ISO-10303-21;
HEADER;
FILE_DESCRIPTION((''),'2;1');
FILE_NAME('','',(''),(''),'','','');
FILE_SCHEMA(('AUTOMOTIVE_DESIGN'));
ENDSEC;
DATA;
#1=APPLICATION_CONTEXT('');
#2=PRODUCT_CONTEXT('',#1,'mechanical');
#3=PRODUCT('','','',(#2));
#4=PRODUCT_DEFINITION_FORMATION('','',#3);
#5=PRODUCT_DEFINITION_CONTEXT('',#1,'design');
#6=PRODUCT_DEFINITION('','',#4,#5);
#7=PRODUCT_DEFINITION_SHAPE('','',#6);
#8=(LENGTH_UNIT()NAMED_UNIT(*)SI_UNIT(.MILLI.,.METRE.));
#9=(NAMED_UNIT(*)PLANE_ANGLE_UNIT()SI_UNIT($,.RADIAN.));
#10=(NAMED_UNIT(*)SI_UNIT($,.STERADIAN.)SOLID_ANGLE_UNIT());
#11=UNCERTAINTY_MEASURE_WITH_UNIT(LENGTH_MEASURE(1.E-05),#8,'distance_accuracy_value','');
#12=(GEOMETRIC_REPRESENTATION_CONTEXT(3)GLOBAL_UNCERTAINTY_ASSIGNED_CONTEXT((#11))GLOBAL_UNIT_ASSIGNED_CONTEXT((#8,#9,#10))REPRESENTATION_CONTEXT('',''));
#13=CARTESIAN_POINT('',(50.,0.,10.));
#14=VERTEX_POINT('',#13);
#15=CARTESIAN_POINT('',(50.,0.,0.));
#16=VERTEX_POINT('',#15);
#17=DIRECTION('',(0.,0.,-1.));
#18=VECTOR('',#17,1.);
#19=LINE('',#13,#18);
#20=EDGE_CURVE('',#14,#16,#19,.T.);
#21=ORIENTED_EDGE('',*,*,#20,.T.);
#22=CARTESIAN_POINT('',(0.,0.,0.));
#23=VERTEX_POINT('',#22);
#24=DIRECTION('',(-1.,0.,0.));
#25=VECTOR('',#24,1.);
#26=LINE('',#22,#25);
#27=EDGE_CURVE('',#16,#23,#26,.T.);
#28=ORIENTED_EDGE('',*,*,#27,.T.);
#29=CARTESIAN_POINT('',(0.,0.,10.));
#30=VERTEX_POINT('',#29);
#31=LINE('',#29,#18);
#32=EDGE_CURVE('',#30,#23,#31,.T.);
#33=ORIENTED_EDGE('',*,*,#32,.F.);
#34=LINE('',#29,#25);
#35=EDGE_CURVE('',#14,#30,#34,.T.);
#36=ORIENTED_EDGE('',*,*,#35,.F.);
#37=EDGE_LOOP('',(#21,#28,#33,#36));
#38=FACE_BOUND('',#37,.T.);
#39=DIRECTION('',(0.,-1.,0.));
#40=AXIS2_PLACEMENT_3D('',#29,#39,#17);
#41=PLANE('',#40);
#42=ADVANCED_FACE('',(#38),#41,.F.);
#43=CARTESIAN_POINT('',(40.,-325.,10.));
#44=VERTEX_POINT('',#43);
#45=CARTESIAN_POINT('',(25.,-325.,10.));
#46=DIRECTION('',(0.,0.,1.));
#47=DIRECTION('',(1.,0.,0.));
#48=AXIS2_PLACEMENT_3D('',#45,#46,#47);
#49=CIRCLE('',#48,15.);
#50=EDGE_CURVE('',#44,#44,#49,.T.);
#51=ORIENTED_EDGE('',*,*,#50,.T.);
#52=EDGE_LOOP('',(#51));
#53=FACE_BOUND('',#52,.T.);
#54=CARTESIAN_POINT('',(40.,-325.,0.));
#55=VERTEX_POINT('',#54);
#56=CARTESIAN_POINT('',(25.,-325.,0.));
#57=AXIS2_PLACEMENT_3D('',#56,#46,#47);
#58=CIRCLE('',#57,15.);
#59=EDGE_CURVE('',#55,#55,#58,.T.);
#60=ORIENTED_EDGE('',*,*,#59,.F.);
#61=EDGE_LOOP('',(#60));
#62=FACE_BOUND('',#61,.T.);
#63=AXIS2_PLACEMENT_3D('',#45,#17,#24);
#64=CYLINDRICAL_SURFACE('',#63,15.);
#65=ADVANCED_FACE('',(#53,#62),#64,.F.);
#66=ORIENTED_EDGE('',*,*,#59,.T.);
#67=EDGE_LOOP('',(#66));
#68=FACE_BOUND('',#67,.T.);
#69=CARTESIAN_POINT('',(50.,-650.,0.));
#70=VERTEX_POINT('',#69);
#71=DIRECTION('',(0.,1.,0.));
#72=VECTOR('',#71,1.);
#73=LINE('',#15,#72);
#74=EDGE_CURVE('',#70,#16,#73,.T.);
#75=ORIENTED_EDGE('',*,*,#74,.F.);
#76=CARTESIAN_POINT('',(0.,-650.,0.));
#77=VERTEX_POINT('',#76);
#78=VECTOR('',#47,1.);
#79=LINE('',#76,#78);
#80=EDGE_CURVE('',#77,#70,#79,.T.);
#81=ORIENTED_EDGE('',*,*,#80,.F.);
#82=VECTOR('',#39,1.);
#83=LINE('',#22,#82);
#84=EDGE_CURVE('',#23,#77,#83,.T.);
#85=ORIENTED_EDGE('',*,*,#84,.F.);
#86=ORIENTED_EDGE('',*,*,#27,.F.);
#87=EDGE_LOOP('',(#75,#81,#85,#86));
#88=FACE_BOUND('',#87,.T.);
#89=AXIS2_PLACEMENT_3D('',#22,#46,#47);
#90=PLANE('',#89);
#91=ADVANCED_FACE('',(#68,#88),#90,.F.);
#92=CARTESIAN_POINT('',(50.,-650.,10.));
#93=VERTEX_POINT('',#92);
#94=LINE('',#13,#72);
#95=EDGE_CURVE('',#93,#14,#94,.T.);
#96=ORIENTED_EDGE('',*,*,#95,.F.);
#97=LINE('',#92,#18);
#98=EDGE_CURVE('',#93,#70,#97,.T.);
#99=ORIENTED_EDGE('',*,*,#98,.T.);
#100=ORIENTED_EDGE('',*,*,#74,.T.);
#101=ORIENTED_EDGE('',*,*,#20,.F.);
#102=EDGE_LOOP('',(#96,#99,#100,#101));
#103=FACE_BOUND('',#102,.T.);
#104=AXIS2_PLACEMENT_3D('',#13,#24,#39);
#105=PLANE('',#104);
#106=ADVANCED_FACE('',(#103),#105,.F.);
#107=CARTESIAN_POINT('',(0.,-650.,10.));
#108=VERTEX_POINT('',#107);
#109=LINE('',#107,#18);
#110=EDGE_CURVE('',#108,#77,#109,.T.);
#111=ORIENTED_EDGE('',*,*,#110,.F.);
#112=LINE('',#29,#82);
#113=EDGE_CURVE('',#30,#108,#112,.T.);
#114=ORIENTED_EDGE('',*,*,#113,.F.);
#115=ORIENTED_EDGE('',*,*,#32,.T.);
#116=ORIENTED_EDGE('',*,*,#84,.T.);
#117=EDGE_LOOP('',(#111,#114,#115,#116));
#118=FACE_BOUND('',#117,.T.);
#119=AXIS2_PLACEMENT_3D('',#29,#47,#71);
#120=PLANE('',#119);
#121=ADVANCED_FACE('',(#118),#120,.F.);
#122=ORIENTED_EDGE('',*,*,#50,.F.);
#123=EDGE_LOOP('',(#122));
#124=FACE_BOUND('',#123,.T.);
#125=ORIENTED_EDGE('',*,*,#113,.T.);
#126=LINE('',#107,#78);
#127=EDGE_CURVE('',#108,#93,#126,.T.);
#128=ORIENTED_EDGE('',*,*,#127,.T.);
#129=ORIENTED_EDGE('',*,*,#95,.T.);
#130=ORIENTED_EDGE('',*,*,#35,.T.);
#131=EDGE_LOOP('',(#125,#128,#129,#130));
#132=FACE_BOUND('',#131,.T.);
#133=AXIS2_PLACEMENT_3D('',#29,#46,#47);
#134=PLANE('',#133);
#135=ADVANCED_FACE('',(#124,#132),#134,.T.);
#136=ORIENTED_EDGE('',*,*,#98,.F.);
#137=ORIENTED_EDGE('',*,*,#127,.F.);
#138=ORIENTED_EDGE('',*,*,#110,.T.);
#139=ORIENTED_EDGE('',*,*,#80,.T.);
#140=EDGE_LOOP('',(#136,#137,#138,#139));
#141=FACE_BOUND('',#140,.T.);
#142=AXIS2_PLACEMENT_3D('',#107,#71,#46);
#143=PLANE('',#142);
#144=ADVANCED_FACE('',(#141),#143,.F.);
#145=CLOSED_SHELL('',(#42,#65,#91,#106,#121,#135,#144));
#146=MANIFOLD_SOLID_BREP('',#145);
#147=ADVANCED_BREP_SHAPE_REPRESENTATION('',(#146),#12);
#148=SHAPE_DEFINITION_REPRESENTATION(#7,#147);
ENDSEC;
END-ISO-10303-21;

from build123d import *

# Parameters (mm, degrees)
ESQUISSE1_W        = 50
ESQUISSE1_H        = 650
ESQUISSE1_R        = 15
BOSS_EXTRU_1_DEPTH = 10


with BuildPart() as part:
    # Esquisse1 → Boss.-Extru.1 (new body)
    with BuildSketch(Plane.XY):
        with Locations((25, -325)):
            Rectangle(ESQUISSE1_W, ESQUISSE1_H)
        with Locations((25, -325)):
            Circle(ESQUISSE1_R, mode=Mode.SUBTRACT)
    extrude(amount=BOSS_EXTRU_1_DEPTH)


solid = part.part
